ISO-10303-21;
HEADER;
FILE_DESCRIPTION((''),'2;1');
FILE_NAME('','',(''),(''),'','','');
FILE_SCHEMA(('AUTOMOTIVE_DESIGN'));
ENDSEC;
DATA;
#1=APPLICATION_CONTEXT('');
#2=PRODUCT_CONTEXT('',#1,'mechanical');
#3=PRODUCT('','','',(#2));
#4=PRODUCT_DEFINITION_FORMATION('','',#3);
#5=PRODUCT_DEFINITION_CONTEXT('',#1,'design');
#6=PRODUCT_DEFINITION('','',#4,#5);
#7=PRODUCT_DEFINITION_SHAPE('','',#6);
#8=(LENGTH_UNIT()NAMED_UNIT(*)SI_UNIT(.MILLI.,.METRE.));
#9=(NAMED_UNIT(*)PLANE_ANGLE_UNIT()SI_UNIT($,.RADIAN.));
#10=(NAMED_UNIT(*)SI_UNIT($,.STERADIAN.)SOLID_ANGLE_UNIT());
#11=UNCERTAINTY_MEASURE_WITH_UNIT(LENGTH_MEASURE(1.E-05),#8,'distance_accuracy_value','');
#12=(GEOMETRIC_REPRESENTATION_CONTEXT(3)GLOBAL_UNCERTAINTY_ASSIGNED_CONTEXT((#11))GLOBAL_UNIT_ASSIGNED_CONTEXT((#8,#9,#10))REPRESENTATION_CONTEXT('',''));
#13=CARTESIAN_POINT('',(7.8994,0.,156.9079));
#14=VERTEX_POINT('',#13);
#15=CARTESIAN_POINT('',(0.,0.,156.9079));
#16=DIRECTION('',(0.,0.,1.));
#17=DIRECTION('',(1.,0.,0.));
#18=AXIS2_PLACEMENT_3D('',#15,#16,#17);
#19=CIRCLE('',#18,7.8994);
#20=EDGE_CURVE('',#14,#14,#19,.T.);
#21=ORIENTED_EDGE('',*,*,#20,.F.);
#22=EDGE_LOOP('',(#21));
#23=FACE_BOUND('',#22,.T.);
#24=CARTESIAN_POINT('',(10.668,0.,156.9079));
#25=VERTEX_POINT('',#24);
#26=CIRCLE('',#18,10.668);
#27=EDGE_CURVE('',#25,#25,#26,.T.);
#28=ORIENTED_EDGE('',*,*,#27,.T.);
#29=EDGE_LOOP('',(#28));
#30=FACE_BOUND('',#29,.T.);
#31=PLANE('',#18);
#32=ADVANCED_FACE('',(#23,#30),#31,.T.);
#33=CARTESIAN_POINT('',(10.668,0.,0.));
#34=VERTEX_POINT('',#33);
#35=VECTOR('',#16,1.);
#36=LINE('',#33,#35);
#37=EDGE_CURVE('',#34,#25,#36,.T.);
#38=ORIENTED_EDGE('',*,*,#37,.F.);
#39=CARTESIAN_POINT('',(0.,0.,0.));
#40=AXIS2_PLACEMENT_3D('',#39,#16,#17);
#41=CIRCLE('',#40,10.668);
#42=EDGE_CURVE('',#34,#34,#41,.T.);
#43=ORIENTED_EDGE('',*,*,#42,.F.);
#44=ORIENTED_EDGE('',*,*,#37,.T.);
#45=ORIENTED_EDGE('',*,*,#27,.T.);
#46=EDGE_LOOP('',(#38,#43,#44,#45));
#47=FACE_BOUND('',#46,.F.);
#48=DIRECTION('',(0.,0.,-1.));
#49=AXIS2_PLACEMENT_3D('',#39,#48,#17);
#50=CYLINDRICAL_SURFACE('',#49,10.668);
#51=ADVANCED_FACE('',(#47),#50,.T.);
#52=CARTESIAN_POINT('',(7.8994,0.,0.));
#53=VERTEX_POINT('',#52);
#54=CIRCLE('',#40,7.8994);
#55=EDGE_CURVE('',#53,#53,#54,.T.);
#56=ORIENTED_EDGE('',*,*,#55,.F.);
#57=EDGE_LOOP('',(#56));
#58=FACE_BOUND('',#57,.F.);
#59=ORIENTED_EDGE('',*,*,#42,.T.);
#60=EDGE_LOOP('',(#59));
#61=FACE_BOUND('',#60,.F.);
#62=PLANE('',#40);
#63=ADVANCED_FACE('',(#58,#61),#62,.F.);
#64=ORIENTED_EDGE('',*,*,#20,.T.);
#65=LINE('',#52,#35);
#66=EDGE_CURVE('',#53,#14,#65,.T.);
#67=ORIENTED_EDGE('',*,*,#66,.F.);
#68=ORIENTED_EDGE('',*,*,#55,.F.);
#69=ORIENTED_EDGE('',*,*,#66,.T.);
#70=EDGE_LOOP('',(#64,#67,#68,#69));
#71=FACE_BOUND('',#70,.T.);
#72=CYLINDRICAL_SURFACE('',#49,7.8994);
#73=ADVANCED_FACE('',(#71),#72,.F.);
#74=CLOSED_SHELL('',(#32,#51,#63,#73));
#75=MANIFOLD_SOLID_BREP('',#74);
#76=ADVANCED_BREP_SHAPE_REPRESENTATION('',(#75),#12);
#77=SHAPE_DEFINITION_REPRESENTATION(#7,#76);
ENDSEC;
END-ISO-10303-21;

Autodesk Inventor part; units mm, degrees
ref_plane "YZ Plane" through (0, 0, 0) normal (1, 0, 0) x (0, 1, 0)
ref_plane "Start Plane" through (0, 0, 0) normal (0, 0, 1) x (1, 0, 0)
ref_plane "End Plane" through (0, 0, 156.9079) normal (0, 0, 1) x (1, 0, 0)
sketch "Sketch" plane through (0, 0, 0) normal (0, 0, 1) x (1, 0, 0)
  circle A0 centre (0, 0) radius 7.8994
  circle A1 centre (0, 0) radius 10.668
  dimension "d0" = 21.336
  dimension "d1" = 2.7686
extrude "Body" add sketch "Sketch" along normal up to surface (156.9079 mm away) from surface at 0
sketch "Sketch3" plane through (0, 0, 0) normal (0, 0, 1) x (1, 0, 0)
  line L0 (0, 0) -> (10, 0)
ref_plane "Work Plane3" through (0, 0, 0) normal (0, -1, 0) x (1, 0, 0)
sketch "Sketch4" plane through (0, 0, 0) normal (0, -1, 0) x (1, 0, 0)
  line L0 (-2, 0) -> (12, 0) projected
  line L1 (-2, 156.9079) -> (12, 156.9079) projected
  dimension "d7" = 156.9079
equation "\"d0\" = G_H"
equation "\"d1\" = G_T"
equation "\"d2\" = G_L"
equation "\"G_H\" = 21.336"
equation "\"G_T\" = 2.7686"
equation "\"G_L\" = d7"
equation "\"G_OFFSET_START\" = 0"
equation "\"G_OFFSET_END\" = 0"
equation "\"d5\" = G_OFFSET_END + B_L"
equation "\"B_L\" = 156.90789"
properties part number "ANSI - 1/2 x 0.109 - 6.177" material "Steel, Mild"
